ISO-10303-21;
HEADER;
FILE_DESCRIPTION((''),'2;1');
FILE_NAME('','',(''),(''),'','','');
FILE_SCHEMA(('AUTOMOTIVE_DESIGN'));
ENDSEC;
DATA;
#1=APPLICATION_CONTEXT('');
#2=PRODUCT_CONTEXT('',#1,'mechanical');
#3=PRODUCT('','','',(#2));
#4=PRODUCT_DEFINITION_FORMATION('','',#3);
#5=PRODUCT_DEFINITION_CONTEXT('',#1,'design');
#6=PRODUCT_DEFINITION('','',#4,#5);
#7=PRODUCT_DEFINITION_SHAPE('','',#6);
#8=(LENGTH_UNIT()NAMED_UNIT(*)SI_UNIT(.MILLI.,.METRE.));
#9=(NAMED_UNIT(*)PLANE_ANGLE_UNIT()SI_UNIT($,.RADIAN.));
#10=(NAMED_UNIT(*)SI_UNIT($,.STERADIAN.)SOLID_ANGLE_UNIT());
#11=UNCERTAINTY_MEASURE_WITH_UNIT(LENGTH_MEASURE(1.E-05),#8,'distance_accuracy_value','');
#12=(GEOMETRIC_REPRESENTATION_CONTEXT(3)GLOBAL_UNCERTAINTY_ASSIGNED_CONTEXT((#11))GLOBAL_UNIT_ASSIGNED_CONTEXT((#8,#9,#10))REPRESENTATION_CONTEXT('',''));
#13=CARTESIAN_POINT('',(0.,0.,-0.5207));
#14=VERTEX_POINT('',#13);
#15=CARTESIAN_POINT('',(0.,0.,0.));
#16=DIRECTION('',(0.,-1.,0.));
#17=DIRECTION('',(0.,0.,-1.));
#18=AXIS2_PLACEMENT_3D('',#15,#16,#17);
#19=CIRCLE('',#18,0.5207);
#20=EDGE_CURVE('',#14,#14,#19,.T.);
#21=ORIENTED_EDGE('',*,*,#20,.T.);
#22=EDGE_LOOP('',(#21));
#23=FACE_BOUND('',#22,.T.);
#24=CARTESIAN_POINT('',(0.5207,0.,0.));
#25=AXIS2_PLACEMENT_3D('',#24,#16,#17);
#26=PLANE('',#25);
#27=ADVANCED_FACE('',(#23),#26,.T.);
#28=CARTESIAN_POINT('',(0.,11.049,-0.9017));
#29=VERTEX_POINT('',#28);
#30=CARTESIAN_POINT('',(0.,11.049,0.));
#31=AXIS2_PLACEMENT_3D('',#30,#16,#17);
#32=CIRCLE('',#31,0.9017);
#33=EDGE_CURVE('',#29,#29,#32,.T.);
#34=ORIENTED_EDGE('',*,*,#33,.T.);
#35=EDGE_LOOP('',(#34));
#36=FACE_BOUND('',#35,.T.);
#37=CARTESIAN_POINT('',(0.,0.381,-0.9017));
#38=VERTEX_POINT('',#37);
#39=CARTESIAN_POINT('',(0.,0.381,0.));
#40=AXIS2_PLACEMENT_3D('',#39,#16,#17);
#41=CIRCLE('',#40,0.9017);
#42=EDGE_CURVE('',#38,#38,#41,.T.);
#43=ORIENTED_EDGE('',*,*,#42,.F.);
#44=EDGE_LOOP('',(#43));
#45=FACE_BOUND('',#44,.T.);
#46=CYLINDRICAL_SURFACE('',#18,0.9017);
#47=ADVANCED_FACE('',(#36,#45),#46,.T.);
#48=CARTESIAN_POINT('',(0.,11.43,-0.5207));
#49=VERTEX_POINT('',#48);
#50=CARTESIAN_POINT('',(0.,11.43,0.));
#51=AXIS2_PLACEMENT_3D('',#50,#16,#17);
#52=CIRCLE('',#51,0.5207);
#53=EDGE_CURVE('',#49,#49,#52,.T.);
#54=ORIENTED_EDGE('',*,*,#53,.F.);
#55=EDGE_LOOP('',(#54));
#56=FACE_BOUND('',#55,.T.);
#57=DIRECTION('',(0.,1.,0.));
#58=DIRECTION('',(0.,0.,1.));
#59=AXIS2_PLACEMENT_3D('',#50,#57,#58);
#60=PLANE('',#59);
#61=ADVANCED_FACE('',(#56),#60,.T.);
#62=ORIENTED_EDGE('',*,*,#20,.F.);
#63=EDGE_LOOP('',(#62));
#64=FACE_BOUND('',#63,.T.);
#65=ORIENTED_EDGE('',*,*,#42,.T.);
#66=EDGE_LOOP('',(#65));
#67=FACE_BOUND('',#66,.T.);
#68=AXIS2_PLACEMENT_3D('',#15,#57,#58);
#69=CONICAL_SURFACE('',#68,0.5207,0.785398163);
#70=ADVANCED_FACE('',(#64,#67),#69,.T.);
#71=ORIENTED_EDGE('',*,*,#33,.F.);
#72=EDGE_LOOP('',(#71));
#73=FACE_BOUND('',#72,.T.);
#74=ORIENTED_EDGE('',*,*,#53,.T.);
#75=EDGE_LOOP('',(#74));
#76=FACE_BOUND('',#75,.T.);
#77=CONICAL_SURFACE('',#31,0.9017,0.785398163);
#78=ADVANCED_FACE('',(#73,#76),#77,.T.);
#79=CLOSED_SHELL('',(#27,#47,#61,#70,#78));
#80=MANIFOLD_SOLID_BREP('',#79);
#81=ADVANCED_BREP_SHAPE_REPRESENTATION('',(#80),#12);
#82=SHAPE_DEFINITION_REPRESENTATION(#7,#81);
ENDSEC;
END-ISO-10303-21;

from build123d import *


with BuildPart() as part:
    # Sketch1 → Revolve1 (revolve)
    with BuildSketch(Plane.XY, mode=Mode.PRIVATE) as revolve1_sk:
        Polygon((0, 0), (0, 11.43), (0.5207, 11.43), (0.9017, 11.049), (0.9017, 0.381), (0.5207, 0), align=None)
    revolve(revolve1_sk.sketch.rotate(Axis((0, 0, 0), (0, 1, 0)), 90), axis=Axis((0, 0, 0), (0, 1, 0)))


solid = part.part
